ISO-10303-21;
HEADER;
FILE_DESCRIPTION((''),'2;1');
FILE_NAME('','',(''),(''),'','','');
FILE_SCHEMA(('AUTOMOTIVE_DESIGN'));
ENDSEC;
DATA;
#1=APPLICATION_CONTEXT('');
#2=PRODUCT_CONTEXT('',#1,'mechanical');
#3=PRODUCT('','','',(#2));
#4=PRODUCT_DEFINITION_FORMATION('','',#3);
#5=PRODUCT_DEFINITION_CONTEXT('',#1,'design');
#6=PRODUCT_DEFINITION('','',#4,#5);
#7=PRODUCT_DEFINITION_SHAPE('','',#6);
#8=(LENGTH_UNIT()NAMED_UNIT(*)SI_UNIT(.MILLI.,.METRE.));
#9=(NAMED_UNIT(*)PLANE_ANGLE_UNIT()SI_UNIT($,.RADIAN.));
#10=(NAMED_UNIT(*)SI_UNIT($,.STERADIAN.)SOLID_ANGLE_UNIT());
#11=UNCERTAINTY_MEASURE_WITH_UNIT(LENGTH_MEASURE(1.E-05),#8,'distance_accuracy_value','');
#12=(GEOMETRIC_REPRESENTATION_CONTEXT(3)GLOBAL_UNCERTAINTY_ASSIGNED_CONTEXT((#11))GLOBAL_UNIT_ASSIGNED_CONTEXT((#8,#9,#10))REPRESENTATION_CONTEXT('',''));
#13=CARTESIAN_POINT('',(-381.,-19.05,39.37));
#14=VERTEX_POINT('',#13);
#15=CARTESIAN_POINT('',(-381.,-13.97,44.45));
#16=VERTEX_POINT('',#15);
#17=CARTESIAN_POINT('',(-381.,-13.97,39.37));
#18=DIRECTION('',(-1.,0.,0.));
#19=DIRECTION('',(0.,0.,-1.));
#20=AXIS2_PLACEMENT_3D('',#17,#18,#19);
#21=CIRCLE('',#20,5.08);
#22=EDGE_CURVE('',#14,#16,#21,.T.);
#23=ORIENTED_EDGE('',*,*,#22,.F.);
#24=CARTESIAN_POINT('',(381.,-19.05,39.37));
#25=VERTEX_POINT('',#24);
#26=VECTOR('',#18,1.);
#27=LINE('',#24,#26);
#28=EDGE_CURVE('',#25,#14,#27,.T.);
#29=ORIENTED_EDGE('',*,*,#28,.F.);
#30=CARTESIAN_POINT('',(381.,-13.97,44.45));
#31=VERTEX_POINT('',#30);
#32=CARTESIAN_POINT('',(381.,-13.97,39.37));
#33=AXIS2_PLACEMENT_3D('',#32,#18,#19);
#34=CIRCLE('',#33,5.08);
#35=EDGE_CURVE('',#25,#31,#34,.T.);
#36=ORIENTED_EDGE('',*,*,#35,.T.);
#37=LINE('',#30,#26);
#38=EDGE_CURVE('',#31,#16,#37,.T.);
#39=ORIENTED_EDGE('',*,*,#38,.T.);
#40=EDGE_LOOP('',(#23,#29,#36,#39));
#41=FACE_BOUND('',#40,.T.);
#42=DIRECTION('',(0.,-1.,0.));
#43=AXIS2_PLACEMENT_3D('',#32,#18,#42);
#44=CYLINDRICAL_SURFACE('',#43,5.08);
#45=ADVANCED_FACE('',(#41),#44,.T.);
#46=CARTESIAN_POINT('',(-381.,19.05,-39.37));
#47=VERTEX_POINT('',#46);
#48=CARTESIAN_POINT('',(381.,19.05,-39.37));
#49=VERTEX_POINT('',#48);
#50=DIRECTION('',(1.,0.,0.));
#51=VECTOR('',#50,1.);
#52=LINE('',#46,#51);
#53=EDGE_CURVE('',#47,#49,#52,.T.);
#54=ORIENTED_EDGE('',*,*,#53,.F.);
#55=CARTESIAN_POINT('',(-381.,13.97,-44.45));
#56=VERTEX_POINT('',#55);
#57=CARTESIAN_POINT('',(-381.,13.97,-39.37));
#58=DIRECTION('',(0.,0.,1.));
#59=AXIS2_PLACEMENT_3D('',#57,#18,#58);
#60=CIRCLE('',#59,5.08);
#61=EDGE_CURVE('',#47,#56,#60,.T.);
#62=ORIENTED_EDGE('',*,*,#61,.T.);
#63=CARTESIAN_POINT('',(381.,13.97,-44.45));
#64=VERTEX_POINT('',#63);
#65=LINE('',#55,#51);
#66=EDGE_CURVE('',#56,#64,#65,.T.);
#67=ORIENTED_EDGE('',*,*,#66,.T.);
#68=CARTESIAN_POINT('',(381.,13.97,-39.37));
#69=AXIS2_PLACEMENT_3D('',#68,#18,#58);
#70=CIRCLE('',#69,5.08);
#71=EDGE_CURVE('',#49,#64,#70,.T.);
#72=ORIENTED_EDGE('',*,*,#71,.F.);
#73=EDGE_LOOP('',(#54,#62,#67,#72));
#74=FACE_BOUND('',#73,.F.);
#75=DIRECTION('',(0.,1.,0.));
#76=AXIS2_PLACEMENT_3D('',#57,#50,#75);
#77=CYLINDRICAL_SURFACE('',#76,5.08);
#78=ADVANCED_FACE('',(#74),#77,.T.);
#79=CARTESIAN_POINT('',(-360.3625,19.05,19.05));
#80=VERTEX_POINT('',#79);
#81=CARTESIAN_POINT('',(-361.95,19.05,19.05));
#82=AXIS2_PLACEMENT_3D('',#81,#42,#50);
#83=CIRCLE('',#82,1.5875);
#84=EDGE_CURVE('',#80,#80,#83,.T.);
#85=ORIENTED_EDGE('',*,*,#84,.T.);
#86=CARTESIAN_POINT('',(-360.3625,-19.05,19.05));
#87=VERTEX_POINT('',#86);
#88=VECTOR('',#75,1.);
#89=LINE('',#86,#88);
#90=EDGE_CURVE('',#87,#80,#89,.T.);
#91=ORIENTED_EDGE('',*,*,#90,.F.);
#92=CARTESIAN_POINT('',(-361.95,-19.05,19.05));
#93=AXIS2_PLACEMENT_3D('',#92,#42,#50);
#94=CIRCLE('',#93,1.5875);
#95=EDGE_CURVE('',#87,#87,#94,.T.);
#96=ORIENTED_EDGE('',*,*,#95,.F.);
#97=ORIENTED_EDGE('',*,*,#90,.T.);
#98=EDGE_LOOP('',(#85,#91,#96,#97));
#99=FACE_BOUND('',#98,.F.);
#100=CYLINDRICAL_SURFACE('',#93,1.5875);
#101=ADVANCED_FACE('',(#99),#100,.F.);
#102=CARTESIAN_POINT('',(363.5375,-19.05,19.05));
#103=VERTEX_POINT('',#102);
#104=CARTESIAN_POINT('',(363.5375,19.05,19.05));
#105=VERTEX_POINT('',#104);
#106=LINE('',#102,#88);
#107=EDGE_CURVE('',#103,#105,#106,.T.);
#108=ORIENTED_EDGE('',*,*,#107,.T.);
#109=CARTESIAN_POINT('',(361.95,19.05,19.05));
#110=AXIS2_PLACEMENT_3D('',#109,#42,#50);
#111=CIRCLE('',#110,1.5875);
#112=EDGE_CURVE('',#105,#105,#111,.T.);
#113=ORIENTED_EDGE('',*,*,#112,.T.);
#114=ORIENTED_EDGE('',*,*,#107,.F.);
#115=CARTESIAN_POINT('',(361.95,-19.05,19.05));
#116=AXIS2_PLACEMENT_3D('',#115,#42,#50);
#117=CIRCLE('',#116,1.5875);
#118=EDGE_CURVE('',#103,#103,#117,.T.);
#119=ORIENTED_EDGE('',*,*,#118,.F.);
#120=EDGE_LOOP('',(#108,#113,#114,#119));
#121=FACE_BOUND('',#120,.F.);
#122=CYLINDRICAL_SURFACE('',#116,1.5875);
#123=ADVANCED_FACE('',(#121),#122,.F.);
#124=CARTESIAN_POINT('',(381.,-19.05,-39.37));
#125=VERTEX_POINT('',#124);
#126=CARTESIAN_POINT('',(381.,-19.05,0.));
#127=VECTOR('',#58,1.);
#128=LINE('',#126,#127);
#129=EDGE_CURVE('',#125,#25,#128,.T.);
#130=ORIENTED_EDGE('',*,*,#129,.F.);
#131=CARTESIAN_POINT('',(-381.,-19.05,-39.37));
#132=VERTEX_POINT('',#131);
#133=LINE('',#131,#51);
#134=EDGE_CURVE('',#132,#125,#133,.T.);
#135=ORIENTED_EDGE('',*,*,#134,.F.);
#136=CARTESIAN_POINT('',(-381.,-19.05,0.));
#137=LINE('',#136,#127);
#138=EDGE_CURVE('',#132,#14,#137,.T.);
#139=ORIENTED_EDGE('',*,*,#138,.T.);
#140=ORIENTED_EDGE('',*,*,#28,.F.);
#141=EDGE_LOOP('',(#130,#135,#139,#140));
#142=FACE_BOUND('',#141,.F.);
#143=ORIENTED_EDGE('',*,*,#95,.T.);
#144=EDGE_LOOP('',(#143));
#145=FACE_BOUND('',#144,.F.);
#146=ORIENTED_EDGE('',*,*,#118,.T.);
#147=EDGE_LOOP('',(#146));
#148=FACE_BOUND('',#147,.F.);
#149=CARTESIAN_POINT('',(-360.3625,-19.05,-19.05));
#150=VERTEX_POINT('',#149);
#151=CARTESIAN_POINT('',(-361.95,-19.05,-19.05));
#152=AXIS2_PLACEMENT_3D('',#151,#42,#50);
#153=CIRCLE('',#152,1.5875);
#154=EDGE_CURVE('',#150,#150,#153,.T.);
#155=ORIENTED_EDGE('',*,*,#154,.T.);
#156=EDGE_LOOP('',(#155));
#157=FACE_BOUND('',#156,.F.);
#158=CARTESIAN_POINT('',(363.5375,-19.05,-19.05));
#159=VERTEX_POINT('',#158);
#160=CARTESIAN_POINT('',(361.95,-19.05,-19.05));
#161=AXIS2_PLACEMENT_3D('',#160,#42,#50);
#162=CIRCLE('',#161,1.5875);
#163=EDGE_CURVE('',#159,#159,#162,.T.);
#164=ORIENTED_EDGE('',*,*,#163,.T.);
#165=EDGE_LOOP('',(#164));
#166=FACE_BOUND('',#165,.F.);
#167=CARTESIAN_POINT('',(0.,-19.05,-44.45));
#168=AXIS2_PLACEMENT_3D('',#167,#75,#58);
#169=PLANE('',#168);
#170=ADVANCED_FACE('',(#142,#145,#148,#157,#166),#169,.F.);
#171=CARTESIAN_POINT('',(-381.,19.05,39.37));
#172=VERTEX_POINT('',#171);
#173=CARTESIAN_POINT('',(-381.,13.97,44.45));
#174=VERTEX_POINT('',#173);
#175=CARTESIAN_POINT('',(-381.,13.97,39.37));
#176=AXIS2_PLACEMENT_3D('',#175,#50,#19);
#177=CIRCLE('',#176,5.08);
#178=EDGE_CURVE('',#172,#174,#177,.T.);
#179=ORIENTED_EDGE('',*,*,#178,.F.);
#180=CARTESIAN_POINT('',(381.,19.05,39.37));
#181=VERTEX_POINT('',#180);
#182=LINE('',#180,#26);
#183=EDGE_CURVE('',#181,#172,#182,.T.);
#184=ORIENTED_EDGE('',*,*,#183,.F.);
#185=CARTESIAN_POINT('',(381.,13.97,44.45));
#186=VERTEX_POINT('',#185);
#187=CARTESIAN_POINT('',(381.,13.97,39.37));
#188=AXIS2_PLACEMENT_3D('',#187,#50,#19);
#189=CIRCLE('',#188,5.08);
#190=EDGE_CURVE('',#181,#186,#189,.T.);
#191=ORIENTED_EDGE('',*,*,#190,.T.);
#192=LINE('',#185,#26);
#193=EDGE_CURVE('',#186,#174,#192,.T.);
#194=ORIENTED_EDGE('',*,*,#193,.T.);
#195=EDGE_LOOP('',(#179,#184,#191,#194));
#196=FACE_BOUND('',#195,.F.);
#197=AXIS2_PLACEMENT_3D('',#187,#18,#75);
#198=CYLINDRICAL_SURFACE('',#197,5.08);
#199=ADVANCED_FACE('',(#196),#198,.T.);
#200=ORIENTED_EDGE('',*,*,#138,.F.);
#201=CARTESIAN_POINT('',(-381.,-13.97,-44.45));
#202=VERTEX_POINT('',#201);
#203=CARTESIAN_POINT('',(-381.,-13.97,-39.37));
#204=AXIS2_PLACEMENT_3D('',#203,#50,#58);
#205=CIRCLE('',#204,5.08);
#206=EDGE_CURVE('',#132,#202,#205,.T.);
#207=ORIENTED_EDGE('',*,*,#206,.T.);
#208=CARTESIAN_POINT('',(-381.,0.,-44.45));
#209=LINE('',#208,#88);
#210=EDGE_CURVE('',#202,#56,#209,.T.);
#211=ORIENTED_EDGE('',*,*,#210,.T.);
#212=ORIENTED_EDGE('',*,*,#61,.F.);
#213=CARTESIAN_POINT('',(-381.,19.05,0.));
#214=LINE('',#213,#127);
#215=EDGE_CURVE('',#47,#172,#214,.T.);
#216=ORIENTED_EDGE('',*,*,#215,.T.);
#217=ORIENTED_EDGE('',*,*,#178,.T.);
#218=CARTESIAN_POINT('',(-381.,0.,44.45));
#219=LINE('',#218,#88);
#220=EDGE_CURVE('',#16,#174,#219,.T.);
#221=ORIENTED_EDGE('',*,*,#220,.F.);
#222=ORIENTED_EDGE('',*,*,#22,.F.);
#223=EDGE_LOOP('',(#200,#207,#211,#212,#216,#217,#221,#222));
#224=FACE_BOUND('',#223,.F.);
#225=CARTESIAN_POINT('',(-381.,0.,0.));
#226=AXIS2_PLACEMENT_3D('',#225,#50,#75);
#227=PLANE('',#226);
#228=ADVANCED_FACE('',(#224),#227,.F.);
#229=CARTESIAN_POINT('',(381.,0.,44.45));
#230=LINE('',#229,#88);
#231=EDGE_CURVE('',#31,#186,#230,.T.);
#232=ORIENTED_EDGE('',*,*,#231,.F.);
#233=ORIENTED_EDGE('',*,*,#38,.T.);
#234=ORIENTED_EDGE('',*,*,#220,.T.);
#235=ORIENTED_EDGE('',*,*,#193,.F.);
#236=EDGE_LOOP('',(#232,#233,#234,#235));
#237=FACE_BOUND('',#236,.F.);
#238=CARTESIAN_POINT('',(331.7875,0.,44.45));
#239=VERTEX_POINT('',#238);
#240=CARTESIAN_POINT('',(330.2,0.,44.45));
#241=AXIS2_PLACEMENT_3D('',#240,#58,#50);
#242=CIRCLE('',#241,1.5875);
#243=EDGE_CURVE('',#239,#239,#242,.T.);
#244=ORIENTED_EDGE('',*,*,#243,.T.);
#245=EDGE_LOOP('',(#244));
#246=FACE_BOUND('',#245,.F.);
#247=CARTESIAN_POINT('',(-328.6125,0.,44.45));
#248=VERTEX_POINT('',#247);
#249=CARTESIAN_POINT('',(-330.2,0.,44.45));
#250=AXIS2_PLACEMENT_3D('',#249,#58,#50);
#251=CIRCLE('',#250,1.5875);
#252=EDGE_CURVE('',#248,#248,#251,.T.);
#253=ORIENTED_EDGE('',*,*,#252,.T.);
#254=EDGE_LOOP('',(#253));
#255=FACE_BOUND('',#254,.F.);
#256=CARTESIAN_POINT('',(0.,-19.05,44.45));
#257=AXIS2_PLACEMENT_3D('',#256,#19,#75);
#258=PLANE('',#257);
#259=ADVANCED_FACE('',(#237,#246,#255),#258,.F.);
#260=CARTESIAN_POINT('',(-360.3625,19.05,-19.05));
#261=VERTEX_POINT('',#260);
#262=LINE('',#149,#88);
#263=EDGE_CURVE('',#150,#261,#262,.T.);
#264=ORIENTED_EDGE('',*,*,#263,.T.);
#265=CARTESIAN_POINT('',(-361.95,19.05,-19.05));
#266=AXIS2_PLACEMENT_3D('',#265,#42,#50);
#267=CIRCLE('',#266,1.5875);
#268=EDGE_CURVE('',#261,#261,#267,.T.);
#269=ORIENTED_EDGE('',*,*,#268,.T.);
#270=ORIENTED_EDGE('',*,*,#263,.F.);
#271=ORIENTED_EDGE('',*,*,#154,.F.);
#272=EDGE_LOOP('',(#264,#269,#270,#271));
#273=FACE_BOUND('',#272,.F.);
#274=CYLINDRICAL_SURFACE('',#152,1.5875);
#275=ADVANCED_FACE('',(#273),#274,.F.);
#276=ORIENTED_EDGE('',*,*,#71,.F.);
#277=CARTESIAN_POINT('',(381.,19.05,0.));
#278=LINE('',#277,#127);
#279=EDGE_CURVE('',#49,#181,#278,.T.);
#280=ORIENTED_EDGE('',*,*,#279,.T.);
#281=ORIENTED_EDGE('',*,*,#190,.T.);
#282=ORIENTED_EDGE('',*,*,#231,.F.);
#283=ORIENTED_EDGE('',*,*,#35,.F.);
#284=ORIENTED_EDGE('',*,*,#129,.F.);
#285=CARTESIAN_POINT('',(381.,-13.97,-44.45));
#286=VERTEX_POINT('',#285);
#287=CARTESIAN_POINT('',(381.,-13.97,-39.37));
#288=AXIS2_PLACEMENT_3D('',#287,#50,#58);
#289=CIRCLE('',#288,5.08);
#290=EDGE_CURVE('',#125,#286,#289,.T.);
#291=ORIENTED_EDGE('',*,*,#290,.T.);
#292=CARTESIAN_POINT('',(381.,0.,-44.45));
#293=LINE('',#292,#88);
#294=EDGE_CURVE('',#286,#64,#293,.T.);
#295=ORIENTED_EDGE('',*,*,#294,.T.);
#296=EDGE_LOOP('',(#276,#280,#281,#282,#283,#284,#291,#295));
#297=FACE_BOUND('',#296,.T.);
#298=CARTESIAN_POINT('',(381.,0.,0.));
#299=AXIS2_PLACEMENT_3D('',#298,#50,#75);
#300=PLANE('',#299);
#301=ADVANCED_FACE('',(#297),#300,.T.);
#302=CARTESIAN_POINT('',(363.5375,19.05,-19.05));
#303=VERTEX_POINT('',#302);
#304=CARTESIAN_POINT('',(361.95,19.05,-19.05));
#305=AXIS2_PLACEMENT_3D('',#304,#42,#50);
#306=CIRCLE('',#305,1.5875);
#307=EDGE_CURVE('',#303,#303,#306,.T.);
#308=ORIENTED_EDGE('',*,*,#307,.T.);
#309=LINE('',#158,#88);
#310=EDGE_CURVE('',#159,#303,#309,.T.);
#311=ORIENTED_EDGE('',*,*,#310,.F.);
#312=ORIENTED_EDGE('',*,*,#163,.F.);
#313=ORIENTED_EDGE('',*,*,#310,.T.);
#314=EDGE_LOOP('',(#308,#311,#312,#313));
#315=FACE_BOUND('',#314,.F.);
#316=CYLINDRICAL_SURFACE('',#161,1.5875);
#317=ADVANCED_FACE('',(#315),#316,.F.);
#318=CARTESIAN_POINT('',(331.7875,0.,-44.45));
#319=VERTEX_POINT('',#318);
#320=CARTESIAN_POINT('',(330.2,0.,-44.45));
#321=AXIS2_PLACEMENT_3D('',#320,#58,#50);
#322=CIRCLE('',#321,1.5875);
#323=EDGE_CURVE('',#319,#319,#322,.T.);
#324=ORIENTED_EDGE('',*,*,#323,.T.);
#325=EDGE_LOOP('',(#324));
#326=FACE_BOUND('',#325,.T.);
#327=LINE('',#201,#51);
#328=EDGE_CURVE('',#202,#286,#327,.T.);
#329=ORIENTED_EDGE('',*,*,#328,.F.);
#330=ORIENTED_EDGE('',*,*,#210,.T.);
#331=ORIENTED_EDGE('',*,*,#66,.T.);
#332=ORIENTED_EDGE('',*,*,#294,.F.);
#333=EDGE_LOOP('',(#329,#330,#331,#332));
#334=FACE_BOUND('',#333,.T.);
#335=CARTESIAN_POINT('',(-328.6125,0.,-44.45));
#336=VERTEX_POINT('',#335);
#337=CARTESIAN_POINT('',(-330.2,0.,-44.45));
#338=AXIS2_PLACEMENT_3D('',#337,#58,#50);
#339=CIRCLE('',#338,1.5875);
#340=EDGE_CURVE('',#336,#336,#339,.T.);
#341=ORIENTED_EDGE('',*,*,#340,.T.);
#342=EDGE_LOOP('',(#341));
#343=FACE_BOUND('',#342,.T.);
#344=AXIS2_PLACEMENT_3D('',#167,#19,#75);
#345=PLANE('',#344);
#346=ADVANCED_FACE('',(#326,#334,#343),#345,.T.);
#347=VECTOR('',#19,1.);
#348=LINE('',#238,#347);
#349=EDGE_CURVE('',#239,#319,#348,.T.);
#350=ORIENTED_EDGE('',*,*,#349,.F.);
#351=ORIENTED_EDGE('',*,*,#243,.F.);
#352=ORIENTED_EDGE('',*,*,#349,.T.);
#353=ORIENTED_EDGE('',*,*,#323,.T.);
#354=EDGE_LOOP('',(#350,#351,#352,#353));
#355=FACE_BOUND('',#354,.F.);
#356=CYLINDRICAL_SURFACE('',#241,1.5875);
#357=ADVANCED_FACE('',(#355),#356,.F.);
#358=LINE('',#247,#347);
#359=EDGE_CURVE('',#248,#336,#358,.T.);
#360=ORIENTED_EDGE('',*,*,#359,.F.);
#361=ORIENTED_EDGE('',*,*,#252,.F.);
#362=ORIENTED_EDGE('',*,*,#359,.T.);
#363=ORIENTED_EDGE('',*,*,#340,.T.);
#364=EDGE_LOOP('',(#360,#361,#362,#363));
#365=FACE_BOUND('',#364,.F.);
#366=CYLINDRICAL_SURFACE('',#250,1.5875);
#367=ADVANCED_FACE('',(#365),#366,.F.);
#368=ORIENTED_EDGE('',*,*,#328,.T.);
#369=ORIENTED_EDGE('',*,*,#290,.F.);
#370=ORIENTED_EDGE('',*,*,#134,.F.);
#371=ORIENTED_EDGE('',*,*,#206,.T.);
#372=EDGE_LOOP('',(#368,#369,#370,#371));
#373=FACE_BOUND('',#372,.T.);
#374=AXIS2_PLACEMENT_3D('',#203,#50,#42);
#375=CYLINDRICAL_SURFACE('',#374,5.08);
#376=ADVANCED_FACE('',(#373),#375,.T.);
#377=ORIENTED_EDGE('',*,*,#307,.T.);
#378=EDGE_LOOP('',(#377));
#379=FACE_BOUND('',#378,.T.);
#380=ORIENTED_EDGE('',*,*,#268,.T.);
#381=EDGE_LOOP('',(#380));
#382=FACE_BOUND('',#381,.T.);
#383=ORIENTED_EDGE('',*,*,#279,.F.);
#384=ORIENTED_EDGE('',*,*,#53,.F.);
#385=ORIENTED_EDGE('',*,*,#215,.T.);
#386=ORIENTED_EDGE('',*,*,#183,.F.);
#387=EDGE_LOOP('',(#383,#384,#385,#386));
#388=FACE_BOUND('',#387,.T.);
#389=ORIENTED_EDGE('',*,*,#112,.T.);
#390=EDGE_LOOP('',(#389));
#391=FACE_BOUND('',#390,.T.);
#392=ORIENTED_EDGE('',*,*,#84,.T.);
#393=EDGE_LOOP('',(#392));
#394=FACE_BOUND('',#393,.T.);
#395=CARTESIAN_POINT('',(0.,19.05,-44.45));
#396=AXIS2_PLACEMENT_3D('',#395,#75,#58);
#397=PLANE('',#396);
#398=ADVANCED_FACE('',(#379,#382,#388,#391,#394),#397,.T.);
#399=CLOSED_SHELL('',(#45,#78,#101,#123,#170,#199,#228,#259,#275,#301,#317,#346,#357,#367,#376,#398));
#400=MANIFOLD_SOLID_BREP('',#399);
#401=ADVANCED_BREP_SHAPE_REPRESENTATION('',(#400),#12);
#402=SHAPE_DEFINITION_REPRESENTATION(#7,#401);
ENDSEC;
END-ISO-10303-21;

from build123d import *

# Parameters (mm, degrees)
F0_W      = 38.1
F0_H      = 88.9
F1_DEPTH  = 381
F2_R      = 5.08
F3_R      = 1.5875
F4_DEPTH  = 88.9
F5_R      = 1.5875
F6_DEPTH  = 88.9
F7_R      = 1.5875
F8_R      = 1.5875
F9_R      = 1.5875
F10_R     = 1.5875
F11_DEPTH = 38.1


with BuildPart() as f1:
    # F0 (on Right) → F1 (new body, symmetric)
    with BuildSketch(Plane.YZ):
        Rectangle(F0_W, F0_H)
    extrude(amount=F1_DEPTH, both=True)

    # F2
    f2_edges = [f1.edges().sort_by_distance(p)[0] for p in [
        (0, -19.05, 44.45),
        (0, 19.05, 44.45),
        (0, -19.05, -44.45),
        (0, 19.05, -44.45),
    ]]
    fillet(f2_edges, radius=F2_R)

    # F3 (on face) → F4 (cut, through all)
    with BuildSketch(Plane.XY.offset(44.45)):
        with Locations((330.2, 0)):
            Circle(F3_R)
    extrude(amount=-F4_DEPTH, mode=Mode.SUBTRACT)

    # F5 (on face) → F6 (cut, through all)
    with BuildSketch(Plane.XY.offset(44.45)):
        with Locations((-330.2, 0)):
            Circle(F5_R)
    extrude(amount=-F6_DEPTH, mode=Mode.SUBTRACT)

    # F7 (on face) + F8 (on face) + F9 (on face) + F10 (on face) → F11 (cut, through all)
    with BuildSketch(Plane.XZ.offset(19.05)):
        with Locations((-361.95, 19.05)):
            Circle(F7_R)
    with BuildSketch(Plane.XZ.offset(19.05)):
        with Locations((-361.95, -19.05)):
            Circle(F8_R)
    with BuildSketch(Plane.XZ.offset(19.05)):
        with Locations((361.95, 19.05)):
            Circle(F9_R)
    with BuildSketch(Plane.XZ.offset(19.05)):
        with Locations((361.95, -19.05)):
            Circle(F10_R)
    extrude(amount=-F11_DEPTH, mode=Mode.SUBTRACT)


solid = f1.part
